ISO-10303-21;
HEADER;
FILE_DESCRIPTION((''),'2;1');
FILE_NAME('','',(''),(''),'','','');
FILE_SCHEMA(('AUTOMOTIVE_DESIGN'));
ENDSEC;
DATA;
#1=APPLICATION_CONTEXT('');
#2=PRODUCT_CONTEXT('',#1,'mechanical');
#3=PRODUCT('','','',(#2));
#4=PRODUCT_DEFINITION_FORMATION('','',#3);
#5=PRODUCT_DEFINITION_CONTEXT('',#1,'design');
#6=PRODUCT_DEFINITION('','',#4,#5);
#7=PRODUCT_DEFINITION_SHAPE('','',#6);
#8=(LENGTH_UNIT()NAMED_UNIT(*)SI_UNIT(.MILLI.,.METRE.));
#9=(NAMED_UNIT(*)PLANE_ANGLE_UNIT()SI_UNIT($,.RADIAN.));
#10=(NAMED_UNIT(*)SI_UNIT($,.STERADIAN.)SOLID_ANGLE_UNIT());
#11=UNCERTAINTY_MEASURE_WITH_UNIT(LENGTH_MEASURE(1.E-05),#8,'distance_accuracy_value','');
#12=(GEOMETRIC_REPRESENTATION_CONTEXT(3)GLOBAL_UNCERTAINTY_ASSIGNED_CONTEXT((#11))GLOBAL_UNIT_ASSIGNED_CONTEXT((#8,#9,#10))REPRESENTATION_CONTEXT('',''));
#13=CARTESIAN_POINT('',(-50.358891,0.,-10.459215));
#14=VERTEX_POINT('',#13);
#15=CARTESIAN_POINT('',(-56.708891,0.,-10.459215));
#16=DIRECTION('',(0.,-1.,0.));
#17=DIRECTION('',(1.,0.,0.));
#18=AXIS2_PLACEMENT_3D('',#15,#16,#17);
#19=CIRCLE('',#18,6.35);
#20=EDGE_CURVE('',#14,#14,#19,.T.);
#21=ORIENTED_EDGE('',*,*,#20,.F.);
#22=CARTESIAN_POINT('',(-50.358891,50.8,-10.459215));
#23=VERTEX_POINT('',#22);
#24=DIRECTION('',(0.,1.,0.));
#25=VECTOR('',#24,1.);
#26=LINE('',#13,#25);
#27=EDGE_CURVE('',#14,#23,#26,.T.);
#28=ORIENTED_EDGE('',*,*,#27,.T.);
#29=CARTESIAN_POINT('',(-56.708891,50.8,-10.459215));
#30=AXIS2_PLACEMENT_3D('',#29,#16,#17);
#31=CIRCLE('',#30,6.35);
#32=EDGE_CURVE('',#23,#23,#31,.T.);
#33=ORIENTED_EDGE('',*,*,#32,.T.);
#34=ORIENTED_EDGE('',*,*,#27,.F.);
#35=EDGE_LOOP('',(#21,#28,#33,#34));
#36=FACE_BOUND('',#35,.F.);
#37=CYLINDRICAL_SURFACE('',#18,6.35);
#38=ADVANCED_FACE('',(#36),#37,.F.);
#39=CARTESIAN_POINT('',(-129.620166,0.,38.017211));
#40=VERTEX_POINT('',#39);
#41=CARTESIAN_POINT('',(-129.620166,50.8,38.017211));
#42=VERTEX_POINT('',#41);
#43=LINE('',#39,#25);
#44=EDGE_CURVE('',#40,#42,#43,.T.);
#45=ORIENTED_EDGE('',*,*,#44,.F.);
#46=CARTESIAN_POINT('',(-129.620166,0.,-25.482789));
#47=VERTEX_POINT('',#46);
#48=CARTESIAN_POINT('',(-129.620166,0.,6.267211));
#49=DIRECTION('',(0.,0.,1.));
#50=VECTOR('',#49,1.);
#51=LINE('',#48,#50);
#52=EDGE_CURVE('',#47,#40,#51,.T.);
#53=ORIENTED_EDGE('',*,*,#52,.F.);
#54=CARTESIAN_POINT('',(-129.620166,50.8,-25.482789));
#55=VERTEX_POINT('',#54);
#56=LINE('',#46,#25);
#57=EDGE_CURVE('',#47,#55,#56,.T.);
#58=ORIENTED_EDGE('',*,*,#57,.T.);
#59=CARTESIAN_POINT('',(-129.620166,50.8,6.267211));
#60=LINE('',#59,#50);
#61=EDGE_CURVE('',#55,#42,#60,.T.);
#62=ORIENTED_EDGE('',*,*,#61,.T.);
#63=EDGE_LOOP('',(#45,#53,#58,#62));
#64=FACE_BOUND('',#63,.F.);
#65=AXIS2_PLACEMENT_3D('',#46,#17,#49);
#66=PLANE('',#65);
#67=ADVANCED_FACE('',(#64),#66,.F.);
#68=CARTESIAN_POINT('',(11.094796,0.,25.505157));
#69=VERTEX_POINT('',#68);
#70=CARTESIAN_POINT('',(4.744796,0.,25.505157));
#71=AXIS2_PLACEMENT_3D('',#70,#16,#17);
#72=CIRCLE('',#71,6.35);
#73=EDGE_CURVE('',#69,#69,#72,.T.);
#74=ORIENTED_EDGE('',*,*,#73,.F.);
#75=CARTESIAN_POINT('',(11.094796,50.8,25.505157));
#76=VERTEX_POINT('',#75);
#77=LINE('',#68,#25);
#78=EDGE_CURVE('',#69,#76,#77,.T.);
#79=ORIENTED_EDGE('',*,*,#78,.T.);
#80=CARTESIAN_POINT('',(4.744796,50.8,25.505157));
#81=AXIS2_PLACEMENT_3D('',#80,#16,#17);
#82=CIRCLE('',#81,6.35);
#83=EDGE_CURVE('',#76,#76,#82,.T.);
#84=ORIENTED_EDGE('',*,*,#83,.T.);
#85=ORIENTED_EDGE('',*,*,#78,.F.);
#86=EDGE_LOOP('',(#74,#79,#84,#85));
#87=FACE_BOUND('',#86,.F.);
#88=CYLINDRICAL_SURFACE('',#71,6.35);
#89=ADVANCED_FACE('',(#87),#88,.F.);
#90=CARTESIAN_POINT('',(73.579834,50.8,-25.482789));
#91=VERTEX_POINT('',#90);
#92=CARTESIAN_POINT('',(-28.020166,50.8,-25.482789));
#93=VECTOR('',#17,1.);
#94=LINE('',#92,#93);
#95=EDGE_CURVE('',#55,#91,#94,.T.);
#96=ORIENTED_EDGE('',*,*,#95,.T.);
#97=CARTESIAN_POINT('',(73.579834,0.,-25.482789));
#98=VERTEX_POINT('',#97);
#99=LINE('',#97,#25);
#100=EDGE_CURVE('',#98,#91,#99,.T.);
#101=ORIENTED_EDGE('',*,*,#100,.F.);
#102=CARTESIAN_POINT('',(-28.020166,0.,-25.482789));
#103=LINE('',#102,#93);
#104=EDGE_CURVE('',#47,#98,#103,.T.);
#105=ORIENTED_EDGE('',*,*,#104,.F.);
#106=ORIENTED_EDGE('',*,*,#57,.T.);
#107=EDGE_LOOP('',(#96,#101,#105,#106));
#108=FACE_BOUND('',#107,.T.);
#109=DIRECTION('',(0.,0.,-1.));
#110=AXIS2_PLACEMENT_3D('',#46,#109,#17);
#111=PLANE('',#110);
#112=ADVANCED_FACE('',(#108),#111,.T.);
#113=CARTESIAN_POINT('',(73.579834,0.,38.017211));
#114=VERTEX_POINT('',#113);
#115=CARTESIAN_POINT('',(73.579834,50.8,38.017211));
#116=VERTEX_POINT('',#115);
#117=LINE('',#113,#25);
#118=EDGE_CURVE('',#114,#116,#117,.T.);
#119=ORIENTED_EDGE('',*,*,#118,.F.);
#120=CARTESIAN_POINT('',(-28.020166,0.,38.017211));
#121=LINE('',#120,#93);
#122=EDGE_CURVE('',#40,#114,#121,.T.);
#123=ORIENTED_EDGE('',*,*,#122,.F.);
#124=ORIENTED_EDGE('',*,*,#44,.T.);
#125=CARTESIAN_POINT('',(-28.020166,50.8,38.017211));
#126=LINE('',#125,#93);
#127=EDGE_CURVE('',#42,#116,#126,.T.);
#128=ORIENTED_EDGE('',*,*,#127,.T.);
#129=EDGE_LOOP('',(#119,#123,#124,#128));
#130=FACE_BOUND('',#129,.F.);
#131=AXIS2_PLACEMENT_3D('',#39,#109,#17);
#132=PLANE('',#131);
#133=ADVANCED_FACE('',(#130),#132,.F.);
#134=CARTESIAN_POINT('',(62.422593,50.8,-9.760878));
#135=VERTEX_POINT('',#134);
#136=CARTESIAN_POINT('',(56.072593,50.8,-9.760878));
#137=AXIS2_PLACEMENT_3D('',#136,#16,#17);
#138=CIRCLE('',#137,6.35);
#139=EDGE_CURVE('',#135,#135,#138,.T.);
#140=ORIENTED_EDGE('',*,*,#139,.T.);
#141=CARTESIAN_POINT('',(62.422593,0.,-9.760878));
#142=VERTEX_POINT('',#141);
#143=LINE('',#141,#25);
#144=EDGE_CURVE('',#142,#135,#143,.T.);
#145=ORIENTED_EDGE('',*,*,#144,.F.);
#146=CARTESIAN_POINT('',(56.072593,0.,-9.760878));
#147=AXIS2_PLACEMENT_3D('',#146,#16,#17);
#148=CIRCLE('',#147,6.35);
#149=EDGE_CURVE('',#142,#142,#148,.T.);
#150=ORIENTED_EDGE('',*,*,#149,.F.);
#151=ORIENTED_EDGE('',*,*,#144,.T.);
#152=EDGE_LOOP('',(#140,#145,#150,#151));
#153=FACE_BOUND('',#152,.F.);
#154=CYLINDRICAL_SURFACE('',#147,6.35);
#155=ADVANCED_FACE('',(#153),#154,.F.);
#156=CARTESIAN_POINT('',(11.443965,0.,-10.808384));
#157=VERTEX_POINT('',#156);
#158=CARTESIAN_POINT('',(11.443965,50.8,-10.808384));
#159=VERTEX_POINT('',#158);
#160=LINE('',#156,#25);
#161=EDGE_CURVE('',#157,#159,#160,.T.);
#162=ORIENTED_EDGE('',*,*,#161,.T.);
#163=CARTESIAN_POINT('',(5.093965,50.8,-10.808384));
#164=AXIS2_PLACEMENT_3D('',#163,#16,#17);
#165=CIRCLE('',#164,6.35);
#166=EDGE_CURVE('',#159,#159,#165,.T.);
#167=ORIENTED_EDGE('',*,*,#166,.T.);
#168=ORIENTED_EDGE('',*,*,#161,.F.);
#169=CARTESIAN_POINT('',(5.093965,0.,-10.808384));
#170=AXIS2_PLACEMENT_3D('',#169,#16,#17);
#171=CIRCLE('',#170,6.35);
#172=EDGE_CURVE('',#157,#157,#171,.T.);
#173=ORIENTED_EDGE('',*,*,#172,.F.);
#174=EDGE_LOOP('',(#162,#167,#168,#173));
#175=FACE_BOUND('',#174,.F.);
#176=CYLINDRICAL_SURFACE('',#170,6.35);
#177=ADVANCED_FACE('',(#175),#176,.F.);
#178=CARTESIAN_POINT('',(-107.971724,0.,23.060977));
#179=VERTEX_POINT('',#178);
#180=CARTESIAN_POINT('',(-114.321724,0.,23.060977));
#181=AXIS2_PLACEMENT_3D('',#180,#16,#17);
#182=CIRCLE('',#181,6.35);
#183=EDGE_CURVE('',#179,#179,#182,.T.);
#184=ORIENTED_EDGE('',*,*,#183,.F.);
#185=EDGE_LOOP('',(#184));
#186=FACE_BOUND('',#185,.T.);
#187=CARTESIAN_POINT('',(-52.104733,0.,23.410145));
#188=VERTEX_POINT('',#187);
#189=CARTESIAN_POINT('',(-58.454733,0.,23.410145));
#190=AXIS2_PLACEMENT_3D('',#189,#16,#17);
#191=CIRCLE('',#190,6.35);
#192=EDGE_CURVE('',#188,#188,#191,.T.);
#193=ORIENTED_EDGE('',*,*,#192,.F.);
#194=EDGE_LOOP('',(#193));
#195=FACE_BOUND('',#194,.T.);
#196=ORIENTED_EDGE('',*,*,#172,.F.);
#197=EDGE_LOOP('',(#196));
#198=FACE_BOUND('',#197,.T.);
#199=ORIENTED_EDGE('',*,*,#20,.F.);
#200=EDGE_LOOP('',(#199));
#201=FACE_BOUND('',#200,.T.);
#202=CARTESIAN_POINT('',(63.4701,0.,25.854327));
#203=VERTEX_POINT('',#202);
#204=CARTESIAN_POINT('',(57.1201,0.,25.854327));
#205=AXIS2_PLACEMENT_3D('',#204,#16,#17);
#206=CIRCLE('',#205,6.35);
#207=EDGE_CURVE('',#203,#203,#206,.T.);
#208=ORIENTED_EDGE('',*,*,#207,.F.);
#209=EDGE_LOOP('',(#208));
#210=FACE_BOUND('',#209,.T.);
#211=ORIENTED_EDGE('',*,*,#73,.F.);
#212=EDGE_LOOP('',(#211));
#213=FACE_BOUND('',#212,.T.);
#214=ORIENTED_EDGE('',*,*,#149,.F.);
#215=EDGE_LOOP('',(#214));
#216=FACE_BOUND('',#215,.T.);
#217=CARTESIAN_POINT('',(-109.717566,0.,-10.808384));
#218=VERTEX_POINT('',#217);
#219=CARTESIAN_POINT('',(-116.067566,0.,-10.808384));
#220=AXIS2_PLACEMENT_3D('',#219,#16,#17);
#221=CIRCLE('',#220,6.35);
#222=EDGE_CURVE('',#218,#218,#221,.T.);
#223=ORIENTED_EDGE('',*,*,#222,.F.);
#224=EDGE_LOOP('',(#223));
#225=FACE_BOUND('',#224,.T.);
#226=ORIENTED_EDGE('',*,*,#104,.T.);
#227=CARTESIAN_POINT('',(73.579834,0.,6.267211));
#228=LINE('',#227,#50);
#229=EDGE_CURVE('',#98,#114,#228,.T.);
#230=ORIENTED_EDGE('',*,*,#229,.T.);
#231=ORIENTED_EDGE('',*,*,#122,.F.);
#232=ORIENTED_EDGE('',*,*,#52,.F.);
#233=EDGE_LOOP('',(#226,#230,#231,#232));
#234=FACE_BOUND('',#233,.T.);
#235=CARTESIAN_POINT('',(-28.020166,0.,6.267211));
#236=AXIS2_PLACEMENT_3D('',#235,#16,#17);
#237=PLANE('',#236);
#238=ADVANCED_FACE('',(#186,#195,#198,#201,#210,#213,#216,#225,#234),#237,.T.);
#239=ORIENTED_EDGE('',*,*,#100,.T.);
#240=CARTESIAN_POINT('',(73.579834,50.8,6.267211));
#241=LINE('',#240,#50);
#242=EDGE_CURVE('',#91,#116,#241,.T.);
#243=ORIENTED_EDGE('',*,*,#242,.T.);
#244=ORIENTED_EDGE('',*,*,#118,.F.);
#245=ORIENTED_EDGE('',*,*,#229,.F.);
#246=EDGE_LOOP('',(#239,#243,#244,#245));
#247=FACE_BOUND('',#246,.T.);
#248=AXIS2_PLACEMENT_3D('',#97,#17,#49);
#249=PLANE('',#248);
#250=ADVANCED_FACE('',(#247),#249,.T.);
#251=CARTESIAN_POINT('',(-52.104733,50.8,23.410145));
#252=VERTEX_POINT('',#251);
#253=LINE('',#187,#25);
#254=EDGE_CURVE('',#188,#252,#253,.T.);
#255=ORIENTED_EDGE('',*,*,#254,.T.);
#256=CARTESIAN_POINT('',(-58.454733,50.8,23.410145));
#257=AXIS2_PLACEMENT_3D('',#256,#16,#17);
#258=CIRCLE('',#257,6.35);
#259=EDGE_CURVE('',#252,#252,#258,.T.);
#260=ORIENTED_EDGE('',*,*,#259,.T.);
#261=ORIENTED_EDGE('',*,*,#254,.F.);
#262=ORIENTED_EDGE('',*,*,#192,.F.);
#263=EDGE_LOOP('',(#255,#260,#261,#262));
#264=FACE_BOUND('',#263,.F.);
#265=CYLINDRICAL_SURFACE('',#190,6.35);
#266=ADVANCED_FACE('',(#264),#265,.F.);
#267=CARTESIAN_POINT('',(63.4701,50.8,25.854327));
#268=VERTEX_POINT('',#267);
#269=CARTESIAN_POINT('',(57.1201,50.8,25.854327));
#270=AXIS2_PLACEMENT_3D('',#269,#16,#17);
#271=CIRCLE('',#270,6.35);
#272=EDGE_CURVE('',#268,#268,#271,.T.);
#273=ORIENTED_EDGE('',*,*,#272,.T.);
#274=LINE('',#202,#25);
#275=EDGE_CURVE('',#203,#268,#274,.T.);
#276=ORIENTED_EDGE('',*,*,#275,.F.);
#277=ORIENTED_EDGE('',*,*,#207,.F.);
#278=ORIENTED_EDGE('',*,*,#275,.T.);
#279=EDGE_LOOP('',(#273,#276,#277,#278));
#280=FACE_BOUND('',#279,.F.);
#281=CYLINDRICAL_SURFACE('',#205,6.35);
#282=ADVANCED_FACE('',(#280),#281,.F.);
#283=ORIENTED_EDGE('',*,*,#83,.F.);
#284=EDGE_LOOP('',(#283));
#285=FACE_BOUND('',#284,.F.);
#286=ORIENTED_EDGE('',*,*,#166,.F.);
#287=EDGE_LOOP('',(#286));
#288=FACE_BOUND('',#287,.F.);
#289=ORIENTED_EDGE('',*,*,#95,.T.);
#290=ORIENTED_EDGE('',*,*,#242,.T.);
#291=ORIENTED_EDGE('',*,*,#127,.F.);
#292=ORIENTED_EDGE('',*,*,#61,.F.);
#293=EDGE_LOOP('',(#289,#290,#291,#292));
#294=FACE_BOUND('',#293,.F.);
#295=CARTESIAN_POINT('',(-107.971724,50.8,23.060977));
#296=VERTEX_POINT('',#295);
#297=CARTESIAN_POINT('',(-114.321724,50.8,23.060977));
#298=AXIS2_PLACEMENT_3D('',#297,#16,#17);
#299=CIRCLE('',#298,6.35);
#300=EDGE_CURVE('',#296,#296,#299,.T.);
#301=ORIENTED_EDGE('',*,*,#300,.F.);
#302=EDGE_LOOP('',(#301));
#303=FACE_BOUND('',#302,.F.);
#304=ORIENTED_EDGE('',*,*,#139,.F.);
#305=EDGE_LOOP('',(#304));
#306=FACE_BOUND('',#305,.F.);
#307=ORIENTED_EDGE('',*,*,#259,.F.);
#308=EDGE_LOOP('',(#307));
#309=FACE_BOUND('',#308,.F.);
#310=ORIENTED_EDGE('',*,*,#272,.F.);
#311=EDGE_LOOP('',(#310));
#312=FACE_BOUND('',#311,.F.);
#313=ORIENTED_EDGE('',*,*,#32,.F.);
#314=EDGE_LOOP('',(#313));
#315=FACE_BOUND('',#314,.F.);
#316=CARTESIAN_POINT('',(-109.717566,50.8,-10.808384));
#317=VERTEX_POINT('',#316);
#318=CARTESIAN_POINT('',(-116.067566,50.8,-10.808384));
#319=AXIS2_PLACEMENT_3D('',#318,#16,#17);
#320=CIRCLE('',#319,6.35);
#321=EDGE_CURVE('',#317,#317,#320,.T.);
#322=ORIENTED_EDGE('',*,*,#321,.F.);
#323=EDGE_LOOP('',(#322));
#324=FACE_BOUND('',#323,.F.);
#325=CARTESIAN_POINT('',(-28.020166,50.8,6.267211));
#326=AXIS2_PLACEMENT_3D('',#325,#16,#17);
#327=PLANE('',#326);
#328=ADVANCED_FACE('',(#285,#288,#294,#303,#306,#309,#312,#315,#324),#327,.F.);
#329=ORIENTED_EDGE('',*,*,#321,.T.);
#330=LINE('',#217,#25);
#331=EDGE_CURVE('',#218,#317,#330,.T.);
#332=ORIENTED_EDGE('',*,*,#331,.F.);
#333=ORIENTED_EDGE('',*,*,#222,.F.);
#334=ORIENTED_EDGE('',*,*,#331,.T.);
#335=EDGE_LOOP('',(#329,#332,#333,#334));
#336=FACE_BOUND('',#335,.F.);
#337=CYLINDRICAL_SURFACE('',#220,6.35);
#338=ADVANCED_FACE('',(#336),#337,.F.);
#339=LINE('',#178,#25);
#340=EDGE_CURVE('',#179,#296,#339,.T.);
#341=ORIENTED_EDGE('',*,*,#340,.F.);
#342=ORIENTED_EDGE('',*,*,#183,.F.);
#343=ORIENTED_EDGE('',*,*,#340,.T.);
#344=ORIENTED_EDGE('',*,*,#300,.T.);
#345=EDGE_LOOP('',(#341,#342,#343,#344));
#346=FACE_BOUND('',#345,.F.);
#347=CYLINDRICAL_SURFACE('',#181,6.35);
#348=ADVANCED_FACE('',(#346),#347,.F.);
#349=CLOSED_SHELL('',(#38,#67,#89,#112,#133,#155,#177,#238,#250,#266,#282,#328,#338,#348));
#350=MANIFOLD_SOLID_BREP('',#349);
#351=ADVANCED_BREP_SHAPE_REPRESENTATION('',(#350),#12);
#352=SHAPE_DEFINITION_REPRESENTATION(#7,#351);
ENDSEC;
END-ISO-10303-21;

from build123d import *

# Parameters (mm, degrees)
F0_W     = 203.2
F0_H     = 63.5
F0_R     = 6.35
F1_DEPTH = 50.8


with BuildPart() as f1:
    # F0 (on Front) → F1 (new body)
    with BuildSketch(Plane.XZ):
        with Locations((-28.020166, 6.267211)):
            Rectangle(F0_W, F0_H)
        with Locations((-116.067566, -10.808384)):
            Circle(F0_R, mode=Mode.SUBTRACT)
        with Locations((-56.708891, -10.459215)):
            Circle(F0_R, mode=Mode.SUBTRACT)
        with Locations((5.093965, -10.808384)):
            Circle(F0_R, mode=Mode.SUBTRACT)
        with Locations((56.072593, -9.760878)):
            Circle(F0_R, mode=Mode.SUBTRACT)
        with Locations((-114.321724, 23.060977)):
            Circle(F0_R, mode=Mode.SUBTRACT)
        with Locations((-58.454733, 23.410145)):
            Circle(F0_R, mode=Mode.SUBTRACT)
        with Locations((4.744796, 25.505157)):
            Circle(F0_R, mode=Mode.SUBTRACT)
        with Locations((57.1201, 25.854327)):
            Circle(F0_R, mode=Mode.SUBTRACT)
    extrude(amount=-F1_DEPTH)


solid = f1.part
